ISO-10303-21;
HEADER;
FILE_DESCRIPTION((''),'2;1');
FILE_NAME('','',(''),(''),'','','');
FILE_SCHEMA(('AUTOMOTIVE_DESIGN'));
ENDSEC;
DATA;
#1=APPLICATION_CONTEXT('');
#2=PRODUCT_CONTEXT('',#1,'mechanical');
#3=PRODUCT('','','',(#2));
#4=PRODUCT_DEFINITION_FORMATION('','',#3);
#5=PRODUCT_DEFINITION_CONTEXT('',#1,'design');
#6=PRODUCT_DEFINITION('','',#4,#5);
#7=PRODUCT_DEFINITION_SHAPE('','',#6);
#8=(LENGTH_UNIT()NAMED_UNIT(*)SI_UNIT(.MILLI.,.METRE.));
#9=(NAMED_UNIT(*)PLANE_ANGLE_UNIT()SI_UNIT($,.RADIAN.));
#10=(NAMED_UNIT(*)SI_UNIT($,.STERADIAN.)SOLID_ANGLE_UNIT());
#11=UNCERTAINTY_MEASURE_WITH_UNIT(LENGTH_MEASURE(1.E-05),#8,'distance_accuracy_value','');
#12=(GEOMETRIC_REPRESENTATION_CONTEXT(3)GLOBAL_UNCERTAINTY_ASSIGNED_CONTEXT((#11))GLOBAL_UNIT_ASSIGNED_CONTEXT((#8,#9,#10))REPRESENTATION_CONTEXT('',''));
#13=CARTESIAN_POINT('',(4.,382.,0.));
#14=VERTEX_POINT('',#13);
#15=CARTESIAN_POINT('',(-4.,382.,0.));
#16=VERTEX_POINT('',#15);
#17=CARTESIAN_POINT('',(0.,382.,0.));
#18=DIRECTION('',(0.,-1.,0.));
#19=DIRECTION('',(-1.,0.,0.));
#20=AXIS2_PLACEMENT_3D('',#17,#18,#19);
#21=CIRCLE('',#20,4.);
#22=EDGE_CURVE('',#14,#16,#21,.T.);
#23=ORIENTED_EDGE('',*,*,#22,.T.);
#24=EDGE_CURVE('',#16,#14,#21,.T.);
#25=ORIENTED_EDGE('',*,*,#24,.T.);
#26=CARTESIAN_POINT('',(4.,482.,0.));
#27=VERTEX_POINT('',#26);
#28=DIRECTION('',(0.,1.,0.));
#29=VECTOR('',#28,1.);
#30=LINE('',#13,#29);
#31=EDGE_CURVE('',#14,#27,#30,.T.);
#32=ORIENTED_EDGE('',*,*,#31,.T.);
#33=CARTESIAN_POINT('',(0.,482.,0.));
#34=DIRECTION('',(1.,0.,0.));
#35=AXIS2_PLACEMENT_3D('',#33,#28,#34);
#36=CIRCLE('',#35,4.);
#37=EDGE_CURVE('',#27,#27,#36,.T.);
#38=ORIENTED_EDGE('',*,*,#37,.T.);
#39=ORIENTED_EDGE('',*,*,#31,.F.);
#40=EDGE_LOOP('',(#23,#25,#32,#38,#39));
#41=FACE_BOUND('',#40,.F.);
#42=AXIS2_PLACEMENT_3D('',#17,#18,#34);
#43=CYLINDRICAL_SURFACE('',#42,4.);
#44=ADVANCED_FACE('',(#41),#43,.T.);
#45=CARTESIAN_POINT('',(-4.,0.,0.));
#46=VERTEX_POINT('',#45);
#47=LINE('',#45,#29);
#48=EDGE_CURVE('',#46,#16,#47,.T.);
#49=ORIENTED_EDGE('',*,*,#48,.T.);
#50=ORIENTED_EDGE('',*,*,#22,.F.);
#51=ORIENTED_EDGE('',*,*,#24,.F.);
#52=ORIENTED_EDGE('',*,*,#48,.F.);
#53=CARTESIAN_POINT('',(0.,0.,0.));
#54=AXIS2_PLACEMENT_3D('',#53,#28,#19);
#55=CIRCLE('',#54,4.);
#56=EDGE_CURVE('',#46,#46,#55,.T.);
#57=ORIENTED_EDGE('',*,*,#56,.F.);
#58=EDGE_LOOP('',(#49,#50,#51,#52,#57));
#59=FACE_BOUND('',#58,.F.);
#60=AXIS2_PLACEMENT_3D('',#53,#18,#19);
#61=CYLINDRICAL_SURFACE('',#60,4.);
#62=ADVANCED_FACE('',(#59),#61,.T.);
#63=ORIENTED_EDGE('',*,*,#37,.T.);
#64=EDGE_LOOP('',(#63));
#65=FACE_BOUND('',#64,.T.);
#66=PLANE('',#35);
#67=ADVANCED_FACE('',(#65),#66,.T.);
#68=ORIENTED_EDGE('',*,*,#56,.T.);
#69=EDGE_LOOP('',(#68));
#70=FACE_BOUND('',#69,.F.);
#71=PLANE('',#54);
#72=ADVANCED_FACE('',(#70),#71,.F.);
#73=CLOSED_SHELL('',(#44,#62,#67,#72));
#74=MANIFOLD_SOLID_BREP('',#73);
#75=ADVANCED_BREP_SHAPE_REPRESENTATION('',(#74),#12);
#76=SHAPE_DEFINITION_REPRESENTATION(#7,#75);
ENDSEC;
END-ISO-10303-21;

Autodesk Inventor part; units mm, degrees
ref_plane "YZ Plane" through (0, 0, 0) normal (1, 0, 0) x (0, 1, 0)
ref_plane "XZ Plane" through (0, 0, 0) normal (0, 1, 0) x (-1, 0, 0)
ref_plane "XY Plane" through (0, 0, 0) normal (0, 0, 1) x (1, 0, 0)
sketch "Sketch1" plane through (0, 0, 0) normal (0, 1, 0) x (-1, 0, 0)
  circle A0 centre (0, 0) radius 4
  dimension "d0" = 8
extrude "Extrusion1" add sketch "Sketch1" along normal blind 400
sketch "Sketch2" plane through (0, 400, 0) normal (0, 1, 0) x (1, 0, 0)
  circle A0 centre (0, 0) radius 4
  dimension "d3" = 8
extrude "Extrusion2" cut sketch "Sketch2" against normal blind 18
sketch "Sketch3" plane through (0, 382, 0) normal (0, 1, 0) x (1, 0, 0)
  circle A0 centre (0, 0) radius 4
  dimension "d6" = 8
extrude "Extrusion3" add sketch "Sketch3" along normal blind 100
properties part number "e_lead"
